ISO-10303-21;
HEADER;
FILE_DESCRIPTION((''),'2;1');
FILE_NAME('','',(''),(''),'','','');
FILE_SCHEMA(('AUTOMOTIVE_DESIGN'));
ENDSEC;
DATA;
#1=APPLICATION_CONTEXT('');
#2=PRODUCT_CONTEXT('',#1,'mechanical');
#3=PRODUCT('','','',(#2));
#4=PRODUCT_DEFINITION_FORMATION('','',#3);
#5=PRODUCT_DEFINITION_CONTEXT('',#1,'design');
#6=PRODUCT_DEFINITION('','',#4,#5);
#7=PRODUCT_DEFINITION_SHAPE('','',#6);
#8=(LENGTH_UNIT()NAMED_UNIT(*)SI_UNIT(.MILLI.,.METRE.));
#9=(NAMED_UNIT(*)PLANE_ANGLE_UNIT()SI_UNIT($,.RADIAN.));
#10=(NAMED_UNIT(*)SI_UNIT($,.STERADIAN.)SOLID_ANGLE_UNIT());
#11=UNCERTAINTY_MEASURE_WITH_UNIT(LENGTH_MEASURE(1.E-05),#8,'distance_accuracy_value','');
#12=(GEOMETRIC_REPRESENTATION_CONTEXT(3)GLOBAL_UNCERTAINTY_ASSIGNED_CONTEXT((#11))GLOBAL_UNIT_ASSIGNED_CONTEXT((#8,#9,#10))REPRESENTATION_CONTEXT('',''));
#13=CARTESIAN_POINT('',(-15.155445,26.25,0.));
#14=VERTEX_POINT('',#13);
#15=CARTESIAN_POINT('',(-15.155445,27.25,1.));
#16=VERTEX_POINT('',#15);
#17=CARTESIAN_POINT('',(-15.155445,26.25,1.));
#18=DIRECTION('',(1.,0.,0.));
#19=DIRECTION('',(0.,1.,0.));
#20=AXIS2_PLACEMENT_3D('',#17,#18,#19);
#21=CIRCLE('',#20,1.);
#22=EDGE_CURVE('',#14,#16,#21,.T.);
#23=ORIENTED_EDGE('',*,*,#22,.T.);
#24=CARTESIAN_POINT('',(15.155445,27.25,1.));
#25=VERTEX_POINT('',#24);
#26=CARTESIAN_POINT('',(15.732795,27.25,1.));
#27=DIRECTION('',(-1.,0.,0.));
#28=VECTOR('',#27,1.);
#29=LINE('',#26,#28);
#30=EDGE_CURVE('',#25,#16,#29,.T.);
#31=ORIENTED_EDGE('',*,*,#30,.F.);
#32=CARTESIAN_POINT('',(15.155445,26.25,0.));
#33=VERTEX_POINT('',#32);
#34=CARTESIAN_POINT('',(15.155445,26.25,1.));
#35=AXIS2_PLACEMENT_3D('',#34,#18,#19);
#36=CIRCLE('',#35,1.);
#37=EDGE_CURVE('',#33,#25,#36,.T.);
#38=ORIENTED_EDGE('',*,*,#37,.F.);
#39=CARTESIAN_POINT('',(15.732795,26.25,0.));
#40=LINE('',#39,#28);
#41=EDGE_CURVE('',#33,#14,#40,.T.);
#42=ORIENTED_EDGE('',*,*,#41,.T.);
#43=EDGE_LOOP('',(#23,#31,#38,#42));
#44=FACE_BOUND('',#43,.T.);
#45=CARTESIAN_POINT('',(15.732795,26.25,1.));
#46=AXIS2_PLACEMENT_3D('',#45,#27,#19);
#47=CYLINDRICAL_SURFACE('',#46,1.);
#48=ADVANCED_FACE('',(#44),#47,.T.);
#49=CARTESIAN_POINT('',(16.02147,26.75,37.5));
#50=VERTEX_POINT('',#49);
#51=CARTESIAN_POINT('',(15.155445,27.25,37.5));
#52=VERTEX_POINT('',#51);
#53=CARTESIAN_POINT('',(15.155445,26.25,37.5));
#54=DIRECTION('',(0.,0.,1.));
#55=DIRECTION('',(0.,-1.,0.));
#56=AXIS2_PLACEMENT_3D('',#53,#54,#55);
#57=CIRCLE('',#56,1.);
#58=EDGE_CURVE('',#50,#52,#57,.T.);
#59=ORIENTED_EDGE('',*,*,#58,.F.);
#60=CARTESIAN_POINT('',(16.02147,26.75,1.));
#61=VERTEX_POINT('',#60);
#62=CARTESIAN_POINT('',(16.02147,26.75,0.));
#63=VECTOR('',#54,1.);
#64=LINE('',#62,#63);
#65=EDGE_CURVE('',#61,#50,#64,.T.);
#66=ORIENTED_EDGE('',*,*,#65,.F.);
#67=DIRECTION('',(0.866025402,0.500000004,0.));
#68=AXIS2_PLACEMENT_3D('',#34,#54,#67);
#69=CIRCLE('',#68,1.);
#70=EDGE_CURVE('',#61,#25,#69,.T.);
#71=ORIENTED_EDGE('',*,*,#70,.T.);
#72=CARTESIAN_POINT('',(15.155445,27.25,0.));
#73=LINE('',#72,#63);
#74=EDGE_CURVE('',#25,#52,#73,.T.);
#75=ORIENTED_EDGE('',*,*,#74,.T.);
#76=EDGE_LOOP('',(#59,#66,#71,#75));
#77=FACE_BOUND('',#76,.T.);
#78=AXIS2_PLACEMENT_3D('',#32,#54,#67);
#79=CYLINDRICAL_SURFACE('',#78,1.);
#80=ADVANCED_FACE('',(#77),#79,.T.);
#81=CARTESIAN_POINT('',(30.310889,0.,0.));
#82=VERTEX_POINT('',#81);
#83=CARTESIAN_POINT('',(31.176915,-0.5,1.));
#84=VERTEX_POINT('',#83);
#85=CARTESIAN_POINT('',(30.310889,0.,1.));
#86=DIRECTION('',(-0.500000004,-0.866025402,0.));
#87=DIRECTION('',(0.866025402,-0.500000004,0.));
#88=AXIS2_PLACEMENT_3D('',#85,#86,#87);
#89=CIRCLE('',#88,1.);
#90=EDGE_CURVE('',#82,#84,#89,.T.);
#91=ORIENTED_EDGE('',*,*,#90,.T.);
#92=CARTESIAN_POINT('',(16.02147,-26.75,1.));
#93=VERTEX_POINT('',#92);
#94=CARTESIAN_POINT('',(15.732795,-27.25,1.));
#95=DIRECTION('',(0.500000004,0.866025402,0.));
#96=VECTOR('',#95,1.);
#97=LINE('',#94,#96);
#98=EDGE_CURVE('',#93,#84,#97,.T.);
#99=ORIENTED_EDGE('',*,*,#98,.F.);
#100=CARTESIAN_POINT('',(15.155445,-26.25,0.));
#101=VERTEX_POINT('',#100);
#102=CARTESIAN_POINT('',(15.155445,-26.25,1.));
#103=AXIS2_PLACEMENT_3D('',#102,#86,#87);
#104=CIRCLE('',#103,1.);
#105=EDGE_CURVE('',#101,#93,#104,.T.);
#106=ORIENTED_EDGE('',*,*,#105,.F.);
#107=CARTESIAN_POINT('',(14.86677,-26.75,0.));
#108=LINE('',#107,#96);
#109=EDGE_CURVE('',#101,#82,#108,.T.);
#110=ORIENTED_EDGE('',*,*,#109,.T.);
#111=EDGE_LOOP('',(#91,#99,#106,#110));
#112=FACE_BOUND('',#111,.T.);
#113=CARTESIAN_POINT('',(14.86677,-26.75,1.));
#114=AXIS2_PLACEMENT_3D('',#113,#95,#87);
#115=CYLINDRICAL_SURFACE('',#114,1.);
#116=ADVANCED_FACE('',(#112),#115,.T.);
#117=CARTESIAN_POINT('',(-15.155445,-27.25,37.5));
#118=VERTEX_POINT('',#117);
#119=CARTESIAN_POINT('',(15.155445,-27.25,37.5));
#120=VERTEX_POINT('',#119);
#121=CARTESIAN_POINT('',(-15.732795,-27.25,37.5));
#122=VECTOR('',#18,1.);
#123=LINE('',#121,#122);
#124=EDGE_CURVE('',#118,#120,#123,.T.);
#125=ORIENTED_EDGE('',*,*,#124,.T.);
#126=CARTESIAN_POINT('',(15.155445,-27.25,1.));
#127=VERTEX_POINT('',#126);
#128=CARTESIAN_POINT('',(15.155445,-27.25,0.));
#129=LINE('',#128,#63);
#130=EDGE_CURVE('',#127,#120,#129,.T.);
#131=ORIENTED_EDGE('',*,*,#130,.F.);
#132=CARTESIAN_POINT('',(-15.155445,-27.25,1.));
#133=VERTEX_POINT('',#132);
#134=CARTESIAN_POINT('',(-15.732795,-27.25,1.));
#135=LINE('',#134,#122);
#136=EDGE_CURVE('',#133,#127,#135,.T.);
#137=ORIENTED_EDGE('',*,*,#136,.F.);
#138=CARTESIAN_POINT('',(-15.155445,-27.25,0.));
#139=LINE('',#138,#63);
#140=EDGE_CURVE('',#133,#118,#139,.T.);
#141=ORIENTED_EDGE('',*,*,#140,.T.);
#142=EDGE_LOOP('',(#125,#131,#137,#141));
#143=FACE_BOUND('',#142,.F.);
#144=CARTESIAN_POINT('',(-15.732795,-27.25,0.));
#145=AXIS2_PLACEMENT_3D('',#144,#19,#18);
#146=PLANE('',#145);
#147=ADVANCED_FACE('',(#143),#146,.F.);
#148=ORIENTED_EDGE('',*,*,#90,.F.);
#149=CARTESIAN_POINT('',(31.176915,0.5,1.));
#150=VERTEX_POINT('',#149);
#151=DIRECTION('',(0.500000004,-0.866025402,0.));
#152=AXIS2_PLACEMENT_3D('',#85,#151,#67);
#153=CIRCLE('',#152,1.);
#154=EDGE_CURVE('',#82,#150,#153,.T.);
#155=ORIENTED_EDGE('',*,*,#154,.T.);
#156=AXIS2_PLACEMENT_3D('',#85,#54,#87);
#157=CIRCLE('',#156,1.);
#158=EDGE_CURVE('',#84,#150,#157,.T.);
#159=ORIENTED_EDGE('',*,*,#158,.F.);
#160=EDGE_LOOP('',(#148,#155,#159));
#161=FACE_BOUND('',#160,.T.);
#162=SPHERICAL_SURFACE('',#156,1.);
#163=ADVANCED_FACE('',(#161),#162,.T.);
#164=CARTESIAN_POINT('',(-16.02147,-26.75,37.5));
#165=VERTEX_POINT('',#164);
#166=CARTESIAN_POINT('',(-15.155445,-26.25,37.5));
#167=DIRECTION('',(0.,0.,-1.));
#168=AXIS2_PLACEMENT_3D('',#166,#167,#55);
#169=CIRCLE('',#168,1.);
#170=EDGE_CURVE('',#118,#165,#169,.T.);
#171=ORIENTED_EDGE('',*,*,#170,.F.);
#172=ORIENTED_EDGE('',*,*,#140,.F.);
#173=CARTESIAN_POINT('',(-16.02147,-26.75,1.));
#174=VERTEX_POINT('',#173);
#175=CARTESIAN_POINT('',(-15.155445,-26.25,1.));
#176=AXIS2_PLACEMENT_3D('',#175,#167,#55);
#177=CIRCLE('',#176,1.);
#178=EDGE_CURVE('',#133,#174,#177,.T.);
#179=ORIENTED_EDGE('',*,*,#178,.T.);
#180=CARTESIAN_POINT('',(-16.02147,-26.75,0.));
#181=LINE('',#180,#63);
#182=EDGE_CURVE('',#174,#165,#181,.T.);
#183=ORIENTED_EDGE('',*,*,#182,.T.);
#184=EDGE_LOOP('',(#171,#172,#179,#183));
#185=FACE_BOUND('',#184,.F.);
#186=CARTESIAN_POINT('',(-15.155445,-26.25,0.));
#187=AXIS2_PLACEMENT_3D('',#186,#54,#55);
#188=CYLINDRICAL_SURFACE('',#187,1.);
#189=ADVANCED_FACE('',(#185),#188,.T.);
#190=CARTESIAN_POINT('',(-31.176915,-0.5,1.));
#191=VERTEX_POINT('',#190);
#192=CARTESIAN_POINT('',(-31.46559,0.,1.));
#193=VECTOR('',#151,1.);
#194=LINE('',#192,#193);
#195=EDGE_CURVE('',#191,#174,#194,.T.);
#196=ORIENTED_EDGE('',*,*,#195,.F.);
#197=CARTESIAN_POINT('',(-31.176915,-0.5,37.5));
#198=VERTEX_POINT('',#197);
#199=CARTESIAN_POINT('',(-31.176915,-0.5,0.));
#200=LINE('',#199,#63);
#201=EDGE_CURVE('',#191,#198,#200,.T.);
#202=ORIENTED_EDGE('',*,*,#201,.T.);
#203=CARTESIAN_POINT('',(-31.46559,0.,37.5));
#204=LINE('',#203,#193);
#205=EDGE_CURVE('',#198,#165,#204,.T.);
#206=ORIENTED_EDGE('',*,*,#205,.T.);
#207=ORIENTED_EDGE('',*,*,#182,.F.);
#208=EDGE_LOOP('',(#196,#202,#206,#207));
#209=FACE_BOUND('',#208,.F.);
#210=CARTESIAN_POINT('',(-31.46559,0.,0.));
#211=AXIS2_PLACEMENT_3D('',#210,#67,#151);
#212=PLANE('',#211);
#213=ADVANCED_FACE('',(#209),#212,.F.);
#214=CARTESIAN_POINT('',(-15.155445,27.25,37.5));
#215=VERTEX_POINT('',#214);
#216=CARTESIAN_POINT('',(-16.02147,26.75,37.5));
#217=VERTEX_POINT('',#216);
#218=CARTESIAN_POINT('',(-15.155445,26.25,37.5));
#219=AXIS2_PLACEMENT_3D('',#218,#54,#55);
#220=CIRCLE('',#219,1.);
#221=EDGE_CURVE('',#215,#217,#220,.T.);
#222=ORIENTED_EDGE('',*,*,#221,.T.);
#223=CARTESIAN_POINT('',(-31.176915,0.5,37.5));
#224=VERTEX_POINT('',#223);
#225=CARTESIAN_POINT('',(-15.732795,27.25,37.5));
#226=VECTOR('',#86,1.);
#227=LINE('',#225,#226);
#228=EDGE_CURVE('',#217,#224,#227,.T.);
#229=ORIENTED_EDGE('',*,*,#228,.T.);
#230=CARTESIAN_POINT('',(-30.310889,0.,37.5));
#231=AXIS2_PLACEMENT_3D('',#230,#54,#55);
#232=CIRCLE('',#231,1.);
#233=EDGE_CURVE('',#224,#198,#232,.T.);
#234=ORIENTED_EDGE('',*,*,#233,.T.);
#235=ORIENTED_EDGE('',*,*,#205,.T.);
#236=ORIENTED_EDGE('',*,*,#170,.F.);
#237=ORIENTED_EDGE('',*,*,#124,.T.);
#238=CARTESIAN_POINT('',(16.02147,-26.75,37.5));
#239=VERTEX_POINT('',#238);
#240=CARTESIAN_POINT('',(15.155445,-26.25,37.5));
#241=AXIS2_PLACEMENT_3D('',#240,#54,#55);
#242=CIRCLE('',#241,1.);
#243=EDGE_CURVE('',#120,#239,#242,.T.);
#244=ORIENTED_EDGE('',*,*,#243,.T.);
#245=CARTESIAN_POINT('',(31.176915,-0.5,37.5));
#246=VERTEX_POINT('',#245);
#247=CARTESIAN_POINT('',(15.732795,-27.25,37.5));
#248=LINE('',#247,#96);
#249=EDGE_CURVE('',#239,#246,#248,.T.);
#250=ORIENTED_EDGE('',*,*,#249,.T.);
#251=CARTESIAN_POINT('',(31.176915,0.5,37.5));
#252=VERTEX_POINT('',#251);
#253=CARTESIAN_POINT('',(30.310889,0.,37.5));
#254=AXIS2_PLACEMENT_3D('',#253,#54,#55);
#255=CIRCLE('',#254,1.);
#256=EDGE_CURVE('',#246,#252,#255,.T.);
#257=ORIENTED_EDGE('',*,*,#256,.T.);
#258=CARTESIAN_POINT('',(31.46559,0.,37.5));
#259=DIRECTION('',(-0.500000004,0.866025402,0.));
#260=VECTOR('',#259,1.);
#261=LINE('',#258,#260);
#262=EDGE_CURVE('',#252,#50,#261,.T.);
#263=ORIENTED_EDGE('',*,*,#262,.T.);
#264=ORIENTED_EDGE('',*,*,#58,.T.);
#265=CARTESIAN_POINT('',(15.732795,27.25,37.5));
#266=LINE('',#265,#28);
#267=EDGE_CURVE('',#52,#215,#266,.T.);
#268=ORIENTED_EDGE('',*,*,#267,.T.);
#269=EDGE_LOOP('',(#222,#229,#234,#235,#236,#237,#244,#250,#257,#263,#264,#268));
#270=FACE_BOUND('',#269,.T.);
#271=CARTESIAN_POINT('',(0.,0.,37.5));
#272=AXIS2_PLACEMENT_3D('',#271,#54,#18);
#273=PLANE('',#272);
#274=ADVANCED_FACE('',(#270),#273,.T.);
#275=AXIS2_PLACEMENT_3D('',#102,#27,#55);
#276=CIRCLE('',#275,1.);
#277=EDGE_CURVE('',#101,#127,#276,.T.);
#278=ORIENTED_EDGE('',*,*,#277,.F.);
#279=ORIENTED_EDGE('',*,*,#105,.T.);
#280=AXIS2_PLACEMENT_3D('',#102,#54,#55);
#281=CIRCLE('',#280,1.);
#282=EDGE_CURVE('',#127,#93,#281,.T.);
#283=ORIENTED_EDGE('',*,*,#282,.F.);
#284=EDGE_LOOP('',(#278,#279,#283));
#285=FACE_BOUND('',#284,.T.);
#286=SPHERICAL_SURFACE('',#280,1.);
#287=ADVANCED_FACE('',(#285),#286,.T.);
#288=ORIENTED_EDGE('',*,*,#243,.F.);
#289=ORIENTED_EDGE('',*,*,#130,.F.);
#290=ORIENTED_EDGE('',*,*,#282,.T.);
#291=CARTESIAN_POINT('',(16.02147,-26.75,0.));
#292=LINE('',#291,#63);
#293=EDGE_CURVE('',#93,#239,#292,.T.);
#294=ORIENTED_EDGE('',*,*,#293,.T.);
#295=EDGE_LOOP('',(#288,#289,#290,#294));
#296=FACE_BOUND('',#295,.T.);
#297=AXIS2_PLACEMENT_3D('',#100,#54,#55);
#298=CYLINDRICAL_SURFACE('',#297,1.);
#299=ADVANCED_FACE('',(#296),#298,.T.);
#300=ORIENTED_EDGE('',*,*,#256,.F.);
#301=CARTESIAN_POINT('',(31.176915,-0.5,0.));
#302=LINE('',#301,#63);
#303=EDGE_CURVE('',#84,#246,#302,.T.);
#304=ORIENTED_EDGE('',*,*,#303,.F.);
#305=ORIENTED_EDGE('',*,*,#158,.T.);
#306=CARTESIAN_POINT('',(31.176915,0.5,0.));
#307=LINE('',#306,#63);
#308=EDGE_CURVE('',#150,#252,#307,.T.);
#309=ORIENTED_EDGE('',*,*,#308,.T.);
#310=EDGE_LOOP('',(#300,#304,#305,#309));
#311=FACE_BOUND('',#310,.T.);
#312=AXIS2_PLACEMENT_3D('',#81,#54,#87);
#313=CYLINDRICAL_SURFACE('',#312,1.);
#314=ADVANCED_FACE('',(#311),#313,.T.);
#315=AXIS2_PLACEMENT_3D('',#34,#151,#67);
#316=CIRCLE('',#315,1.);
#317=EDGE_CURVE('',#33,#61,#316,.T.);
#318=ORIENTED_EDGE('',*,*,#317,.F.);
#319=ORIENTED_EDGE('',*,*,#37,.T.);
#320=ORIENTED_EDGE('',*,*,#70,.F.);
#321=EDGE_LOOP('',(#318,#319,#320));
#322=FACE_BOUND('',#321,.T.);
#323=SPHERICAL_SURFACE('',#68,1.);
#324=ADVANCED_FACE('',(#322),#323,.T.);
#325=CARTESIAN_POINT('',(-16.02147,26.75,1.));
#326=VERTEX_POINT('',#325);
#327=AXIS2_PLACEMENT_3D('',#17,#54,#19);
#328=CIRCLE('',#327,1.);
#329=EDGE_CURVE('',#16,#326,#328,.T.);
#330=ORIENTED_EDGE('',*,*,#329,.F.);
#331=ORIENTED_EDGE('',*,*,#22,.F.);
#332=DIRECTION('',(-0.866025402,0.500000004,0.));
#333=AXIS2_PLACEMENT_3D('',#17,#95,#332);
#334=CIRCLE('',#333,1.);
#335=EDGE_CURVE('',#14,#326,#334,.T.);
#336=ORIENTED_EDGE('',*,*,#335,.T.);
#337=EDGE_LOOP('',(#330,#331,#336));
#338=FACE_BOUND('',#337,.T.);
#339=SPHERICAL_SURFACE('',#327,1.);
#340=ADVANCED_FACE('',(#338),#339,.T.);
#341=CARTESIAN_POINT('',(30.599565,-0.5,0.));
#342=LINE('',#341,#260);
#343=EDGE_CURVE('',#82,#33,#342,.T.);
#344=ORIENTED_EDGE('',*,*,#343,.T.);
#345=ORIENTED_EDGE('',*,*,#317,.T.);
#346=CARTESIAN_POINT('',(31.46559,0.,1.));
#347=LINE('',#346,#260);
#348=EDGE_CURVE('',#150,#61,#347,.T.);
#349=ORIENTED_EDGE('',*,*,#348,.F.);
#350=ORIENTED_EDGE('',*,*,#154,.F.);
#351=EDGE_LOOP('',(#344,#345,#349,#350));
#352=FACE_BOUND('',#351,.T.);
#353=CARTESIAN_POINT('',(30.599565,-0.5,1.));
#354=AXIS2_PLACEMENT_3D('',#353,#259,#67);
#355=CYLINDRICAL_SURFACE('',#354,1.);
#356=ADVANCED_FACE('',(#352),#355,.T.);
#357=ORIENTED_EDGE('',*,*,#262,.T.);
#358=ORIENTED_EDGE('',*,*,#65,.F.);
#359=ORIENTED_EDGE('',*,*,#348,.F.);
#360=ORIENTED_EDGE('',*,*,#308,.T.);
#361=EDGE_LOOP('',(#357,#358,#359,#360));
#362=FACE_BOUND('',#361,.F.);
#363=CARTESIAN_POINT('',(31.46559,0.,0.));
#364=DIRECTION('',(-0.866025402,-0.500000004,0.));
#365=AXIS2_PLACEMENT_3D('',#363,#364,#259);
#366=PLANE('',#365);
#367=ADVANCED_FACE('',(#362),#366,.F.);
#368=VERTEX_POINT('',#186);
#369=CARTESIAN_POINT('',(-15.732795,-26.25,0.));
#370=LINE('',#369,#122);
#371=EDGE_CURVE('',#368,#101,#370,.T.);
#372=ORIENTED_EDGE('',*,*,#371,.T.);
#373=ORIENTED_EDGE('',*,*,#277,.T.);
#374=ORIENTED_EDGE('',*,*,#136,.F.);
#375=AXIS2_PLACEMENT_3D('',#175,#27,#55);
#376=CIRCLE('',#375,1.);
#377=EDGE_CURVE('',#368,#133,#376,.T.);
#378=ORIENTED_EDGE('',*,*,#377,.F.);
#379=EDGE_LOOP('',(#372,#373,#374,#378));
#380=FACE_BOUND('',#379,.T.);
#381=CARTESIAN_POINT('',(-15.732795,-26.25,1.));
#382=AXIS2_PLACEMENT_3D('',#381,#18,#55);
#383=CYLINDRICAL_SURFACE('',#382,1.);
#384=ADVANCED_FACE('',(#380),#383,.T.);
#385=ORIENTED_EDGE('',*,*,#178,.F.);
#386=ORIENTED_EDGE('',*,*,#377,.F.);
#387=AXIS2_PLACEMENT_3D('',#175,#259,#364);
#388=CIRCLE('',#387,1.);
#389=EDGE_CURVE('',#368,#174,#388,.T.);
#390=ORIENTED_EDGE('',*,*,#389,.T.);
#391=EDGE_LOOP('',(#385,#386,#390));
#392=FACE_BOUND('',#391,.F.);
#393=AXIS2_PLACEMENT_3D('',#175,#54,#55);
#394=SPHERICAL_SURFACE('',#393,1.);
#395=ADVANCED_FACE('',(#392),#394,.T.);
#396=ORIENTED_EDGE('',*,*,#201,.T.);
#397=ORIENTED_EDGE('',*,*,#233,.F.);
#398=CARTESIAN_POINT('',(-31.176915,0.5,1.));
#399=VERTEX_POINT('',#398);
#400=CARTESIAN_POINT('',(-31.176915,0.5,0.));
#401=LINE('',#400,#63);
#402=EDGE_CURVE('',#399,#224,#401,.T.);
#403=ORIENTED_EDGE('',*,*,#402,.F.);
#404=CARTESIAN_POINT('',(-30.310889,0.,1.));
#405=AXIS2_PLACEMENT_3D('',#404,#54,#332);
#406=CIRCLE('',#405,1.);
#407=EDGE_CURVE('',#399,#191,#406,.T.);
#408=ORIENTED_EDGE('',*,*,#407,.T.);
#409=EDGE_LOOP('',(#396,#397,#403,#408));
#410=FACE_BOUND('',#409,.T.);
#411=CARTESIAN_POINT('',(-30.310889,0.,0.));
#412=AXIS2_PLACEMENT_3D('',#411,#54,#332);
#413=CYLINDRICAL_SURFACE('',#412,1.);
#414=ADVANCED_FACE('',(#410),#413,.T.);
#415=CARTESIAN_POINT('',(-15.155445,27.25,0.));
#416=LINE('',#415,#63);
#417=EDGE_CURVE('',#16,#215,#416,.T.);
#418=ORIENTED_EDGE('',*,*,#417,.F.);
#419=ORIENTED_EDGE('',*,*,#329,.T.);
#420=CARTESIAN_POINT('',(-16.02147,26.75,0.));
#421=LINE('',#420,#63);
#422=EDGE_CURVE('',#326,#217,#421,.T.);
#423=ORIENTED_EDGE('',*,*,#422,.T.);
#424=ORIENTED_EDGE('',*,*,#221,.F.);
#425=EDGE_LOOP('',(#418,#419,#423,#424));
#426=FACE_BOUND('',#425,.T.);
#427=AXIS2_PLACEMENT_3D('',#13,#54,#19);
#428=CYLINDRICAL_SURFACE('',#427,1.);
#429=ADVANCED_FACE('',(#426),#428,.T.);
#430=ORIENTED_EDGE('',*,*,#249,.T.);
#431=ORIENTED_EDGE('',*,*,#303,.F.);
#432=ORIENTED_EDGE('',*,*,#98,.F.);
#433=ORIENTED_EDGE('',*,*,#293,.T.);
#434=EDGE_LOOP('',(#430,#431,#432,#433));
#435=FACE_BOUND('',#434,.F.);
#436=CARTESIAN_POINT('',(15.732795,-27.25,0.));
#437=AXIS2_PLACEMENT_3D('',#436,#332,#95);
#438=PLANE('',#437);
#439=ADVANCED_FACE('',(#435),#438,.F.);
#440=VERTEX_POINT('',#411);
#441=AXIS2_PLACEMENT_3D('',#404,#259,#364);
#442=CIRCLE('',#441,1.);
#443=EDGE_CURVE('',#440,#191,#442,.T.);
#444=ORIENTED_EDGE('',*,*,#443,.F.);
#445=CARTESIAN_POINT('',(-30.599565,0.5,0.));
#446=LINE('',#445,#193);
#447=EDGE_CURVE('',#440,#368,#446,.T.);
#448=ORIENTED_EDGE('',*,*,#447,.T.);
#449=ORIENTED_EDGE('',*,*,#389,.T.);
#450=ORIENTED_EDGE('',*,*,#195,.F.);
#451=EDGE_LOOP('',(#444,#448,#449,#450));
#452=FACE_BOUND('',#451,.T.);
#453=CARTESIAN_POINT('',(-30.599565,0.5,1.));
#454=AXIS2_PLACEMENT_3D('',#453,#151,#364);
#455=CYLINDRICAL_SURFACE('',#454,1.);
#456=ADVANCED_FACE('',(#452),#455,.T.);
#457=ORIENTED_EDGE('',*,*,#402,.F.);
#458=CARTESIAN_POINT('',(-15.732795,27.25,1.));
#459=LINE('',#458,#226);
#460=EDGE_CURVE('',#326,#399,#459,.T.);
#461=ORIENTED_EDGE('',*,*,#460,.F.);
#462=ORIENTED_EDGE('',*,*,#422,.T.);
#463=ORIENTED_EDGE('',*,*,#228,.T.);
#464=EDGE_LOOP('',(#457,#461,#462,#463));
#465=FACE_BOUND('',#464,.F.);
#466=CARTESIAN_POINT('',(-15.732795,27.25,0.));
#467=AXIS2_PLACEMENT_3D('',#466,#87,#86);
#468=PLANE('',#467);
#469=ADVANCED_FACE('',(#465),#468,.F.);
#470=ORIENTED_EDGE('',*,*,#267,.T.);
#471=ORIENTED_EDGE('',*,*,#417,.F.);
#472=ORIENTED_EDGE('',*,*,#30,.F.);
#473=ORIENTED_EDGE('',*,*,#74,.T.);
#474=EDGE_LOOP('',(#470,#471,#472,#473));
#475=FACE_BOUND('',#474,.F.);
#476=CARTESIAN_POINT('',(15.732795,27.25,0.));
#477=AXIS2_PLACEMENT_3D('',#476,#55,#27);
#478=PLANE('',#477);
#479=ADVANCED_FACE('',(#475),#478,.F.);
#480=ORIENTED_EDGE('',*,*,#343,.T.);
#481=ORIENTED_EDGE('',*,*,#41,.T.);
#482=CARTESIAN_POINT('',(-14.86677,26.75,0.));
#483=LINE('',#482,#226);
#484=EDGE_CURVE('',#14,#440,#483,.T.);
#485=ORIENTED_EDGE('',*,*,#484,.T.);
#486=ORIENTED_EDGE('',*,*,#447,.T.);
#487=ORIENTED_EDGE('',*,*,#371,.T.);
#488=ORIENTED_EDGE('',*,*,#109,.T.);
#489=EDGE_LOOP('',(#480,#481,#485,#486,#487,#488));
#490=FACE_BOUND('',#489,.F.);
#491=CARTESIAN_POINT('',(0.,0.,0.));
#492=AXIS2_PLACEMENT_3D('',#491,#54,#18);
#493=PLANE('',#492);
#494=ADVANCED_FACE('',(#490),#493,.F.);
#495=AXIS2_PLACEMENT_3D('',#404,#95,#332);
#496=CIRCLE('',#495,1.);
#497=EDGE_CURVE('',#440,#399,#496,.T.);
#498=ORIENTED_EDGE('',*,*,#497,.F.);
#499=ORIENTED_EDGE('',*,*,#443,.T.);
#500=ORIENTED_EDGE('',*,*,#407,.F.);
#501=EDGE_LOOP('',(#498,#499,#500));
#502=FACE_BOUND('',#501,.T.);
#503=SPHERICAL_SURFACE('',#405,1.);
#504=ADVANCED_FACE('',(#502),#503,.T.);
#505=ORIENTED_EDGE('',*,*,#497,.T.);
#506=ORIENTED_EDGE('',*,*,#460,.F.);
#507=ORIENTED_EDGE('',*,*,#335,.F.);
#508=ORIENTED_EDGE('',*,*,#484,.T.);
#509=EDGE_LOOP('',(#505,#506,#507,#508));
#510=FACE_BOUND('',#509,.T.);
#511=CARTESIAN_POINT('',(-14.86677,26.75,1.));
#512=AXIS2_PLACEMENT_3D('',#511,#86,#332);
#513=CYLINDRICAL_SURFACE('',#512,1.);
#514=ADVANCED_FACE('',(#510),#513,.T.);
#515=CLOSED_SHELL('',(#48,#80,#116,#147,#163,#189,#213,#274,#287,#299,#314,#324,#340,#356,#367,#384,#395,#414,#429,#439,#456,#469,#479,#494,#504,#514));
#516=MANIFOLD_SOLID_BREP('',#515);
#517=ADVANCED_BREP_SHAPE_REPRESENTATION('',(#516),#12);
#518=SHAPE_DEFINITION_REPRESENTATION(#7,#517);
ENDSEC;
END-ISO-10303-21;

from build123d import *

# Parameters (mm, degrees)
F1_DEPTH = 37.5
F2_R     = 1


with BuildPart() as f1:
    # F0 (on Top) → F1 (new body)
    with BuildSketch(Plane.XY):
        Polygon((-15.732795, -27.25), (15.732795, -27.25), (31.46559, 0), (15.732795, 27.25), (-15.732795, 27.25), (-31.46559, 0), align=None)
    extrude(amount=F1_DEPTH)

    # F2
    f2_edges = [f1.edges().sort_by_distance(p)[0] for p in [
        (0, -27.25, 0),
        (23.599192, -13.625, 0),
        (23.599192, 13.625, 0),
        (0, 27.25, 0),
        (-23.599192, 13.625, 0),
        (-23.599192, -13.625, 0),
        (15.732795, -27.25, 18.75),
        (31.46559, 0, 18.75),
        (-15.732795, -27.25, 18.75),
        (-31.46559, 0, 18.75),
        (-15.732795, 27.25, 18.75),
        (15.732795, 27.25, 18.75),
    ]]
    fillet(f2_edges, radius=F2_R)


solid = f1.part
